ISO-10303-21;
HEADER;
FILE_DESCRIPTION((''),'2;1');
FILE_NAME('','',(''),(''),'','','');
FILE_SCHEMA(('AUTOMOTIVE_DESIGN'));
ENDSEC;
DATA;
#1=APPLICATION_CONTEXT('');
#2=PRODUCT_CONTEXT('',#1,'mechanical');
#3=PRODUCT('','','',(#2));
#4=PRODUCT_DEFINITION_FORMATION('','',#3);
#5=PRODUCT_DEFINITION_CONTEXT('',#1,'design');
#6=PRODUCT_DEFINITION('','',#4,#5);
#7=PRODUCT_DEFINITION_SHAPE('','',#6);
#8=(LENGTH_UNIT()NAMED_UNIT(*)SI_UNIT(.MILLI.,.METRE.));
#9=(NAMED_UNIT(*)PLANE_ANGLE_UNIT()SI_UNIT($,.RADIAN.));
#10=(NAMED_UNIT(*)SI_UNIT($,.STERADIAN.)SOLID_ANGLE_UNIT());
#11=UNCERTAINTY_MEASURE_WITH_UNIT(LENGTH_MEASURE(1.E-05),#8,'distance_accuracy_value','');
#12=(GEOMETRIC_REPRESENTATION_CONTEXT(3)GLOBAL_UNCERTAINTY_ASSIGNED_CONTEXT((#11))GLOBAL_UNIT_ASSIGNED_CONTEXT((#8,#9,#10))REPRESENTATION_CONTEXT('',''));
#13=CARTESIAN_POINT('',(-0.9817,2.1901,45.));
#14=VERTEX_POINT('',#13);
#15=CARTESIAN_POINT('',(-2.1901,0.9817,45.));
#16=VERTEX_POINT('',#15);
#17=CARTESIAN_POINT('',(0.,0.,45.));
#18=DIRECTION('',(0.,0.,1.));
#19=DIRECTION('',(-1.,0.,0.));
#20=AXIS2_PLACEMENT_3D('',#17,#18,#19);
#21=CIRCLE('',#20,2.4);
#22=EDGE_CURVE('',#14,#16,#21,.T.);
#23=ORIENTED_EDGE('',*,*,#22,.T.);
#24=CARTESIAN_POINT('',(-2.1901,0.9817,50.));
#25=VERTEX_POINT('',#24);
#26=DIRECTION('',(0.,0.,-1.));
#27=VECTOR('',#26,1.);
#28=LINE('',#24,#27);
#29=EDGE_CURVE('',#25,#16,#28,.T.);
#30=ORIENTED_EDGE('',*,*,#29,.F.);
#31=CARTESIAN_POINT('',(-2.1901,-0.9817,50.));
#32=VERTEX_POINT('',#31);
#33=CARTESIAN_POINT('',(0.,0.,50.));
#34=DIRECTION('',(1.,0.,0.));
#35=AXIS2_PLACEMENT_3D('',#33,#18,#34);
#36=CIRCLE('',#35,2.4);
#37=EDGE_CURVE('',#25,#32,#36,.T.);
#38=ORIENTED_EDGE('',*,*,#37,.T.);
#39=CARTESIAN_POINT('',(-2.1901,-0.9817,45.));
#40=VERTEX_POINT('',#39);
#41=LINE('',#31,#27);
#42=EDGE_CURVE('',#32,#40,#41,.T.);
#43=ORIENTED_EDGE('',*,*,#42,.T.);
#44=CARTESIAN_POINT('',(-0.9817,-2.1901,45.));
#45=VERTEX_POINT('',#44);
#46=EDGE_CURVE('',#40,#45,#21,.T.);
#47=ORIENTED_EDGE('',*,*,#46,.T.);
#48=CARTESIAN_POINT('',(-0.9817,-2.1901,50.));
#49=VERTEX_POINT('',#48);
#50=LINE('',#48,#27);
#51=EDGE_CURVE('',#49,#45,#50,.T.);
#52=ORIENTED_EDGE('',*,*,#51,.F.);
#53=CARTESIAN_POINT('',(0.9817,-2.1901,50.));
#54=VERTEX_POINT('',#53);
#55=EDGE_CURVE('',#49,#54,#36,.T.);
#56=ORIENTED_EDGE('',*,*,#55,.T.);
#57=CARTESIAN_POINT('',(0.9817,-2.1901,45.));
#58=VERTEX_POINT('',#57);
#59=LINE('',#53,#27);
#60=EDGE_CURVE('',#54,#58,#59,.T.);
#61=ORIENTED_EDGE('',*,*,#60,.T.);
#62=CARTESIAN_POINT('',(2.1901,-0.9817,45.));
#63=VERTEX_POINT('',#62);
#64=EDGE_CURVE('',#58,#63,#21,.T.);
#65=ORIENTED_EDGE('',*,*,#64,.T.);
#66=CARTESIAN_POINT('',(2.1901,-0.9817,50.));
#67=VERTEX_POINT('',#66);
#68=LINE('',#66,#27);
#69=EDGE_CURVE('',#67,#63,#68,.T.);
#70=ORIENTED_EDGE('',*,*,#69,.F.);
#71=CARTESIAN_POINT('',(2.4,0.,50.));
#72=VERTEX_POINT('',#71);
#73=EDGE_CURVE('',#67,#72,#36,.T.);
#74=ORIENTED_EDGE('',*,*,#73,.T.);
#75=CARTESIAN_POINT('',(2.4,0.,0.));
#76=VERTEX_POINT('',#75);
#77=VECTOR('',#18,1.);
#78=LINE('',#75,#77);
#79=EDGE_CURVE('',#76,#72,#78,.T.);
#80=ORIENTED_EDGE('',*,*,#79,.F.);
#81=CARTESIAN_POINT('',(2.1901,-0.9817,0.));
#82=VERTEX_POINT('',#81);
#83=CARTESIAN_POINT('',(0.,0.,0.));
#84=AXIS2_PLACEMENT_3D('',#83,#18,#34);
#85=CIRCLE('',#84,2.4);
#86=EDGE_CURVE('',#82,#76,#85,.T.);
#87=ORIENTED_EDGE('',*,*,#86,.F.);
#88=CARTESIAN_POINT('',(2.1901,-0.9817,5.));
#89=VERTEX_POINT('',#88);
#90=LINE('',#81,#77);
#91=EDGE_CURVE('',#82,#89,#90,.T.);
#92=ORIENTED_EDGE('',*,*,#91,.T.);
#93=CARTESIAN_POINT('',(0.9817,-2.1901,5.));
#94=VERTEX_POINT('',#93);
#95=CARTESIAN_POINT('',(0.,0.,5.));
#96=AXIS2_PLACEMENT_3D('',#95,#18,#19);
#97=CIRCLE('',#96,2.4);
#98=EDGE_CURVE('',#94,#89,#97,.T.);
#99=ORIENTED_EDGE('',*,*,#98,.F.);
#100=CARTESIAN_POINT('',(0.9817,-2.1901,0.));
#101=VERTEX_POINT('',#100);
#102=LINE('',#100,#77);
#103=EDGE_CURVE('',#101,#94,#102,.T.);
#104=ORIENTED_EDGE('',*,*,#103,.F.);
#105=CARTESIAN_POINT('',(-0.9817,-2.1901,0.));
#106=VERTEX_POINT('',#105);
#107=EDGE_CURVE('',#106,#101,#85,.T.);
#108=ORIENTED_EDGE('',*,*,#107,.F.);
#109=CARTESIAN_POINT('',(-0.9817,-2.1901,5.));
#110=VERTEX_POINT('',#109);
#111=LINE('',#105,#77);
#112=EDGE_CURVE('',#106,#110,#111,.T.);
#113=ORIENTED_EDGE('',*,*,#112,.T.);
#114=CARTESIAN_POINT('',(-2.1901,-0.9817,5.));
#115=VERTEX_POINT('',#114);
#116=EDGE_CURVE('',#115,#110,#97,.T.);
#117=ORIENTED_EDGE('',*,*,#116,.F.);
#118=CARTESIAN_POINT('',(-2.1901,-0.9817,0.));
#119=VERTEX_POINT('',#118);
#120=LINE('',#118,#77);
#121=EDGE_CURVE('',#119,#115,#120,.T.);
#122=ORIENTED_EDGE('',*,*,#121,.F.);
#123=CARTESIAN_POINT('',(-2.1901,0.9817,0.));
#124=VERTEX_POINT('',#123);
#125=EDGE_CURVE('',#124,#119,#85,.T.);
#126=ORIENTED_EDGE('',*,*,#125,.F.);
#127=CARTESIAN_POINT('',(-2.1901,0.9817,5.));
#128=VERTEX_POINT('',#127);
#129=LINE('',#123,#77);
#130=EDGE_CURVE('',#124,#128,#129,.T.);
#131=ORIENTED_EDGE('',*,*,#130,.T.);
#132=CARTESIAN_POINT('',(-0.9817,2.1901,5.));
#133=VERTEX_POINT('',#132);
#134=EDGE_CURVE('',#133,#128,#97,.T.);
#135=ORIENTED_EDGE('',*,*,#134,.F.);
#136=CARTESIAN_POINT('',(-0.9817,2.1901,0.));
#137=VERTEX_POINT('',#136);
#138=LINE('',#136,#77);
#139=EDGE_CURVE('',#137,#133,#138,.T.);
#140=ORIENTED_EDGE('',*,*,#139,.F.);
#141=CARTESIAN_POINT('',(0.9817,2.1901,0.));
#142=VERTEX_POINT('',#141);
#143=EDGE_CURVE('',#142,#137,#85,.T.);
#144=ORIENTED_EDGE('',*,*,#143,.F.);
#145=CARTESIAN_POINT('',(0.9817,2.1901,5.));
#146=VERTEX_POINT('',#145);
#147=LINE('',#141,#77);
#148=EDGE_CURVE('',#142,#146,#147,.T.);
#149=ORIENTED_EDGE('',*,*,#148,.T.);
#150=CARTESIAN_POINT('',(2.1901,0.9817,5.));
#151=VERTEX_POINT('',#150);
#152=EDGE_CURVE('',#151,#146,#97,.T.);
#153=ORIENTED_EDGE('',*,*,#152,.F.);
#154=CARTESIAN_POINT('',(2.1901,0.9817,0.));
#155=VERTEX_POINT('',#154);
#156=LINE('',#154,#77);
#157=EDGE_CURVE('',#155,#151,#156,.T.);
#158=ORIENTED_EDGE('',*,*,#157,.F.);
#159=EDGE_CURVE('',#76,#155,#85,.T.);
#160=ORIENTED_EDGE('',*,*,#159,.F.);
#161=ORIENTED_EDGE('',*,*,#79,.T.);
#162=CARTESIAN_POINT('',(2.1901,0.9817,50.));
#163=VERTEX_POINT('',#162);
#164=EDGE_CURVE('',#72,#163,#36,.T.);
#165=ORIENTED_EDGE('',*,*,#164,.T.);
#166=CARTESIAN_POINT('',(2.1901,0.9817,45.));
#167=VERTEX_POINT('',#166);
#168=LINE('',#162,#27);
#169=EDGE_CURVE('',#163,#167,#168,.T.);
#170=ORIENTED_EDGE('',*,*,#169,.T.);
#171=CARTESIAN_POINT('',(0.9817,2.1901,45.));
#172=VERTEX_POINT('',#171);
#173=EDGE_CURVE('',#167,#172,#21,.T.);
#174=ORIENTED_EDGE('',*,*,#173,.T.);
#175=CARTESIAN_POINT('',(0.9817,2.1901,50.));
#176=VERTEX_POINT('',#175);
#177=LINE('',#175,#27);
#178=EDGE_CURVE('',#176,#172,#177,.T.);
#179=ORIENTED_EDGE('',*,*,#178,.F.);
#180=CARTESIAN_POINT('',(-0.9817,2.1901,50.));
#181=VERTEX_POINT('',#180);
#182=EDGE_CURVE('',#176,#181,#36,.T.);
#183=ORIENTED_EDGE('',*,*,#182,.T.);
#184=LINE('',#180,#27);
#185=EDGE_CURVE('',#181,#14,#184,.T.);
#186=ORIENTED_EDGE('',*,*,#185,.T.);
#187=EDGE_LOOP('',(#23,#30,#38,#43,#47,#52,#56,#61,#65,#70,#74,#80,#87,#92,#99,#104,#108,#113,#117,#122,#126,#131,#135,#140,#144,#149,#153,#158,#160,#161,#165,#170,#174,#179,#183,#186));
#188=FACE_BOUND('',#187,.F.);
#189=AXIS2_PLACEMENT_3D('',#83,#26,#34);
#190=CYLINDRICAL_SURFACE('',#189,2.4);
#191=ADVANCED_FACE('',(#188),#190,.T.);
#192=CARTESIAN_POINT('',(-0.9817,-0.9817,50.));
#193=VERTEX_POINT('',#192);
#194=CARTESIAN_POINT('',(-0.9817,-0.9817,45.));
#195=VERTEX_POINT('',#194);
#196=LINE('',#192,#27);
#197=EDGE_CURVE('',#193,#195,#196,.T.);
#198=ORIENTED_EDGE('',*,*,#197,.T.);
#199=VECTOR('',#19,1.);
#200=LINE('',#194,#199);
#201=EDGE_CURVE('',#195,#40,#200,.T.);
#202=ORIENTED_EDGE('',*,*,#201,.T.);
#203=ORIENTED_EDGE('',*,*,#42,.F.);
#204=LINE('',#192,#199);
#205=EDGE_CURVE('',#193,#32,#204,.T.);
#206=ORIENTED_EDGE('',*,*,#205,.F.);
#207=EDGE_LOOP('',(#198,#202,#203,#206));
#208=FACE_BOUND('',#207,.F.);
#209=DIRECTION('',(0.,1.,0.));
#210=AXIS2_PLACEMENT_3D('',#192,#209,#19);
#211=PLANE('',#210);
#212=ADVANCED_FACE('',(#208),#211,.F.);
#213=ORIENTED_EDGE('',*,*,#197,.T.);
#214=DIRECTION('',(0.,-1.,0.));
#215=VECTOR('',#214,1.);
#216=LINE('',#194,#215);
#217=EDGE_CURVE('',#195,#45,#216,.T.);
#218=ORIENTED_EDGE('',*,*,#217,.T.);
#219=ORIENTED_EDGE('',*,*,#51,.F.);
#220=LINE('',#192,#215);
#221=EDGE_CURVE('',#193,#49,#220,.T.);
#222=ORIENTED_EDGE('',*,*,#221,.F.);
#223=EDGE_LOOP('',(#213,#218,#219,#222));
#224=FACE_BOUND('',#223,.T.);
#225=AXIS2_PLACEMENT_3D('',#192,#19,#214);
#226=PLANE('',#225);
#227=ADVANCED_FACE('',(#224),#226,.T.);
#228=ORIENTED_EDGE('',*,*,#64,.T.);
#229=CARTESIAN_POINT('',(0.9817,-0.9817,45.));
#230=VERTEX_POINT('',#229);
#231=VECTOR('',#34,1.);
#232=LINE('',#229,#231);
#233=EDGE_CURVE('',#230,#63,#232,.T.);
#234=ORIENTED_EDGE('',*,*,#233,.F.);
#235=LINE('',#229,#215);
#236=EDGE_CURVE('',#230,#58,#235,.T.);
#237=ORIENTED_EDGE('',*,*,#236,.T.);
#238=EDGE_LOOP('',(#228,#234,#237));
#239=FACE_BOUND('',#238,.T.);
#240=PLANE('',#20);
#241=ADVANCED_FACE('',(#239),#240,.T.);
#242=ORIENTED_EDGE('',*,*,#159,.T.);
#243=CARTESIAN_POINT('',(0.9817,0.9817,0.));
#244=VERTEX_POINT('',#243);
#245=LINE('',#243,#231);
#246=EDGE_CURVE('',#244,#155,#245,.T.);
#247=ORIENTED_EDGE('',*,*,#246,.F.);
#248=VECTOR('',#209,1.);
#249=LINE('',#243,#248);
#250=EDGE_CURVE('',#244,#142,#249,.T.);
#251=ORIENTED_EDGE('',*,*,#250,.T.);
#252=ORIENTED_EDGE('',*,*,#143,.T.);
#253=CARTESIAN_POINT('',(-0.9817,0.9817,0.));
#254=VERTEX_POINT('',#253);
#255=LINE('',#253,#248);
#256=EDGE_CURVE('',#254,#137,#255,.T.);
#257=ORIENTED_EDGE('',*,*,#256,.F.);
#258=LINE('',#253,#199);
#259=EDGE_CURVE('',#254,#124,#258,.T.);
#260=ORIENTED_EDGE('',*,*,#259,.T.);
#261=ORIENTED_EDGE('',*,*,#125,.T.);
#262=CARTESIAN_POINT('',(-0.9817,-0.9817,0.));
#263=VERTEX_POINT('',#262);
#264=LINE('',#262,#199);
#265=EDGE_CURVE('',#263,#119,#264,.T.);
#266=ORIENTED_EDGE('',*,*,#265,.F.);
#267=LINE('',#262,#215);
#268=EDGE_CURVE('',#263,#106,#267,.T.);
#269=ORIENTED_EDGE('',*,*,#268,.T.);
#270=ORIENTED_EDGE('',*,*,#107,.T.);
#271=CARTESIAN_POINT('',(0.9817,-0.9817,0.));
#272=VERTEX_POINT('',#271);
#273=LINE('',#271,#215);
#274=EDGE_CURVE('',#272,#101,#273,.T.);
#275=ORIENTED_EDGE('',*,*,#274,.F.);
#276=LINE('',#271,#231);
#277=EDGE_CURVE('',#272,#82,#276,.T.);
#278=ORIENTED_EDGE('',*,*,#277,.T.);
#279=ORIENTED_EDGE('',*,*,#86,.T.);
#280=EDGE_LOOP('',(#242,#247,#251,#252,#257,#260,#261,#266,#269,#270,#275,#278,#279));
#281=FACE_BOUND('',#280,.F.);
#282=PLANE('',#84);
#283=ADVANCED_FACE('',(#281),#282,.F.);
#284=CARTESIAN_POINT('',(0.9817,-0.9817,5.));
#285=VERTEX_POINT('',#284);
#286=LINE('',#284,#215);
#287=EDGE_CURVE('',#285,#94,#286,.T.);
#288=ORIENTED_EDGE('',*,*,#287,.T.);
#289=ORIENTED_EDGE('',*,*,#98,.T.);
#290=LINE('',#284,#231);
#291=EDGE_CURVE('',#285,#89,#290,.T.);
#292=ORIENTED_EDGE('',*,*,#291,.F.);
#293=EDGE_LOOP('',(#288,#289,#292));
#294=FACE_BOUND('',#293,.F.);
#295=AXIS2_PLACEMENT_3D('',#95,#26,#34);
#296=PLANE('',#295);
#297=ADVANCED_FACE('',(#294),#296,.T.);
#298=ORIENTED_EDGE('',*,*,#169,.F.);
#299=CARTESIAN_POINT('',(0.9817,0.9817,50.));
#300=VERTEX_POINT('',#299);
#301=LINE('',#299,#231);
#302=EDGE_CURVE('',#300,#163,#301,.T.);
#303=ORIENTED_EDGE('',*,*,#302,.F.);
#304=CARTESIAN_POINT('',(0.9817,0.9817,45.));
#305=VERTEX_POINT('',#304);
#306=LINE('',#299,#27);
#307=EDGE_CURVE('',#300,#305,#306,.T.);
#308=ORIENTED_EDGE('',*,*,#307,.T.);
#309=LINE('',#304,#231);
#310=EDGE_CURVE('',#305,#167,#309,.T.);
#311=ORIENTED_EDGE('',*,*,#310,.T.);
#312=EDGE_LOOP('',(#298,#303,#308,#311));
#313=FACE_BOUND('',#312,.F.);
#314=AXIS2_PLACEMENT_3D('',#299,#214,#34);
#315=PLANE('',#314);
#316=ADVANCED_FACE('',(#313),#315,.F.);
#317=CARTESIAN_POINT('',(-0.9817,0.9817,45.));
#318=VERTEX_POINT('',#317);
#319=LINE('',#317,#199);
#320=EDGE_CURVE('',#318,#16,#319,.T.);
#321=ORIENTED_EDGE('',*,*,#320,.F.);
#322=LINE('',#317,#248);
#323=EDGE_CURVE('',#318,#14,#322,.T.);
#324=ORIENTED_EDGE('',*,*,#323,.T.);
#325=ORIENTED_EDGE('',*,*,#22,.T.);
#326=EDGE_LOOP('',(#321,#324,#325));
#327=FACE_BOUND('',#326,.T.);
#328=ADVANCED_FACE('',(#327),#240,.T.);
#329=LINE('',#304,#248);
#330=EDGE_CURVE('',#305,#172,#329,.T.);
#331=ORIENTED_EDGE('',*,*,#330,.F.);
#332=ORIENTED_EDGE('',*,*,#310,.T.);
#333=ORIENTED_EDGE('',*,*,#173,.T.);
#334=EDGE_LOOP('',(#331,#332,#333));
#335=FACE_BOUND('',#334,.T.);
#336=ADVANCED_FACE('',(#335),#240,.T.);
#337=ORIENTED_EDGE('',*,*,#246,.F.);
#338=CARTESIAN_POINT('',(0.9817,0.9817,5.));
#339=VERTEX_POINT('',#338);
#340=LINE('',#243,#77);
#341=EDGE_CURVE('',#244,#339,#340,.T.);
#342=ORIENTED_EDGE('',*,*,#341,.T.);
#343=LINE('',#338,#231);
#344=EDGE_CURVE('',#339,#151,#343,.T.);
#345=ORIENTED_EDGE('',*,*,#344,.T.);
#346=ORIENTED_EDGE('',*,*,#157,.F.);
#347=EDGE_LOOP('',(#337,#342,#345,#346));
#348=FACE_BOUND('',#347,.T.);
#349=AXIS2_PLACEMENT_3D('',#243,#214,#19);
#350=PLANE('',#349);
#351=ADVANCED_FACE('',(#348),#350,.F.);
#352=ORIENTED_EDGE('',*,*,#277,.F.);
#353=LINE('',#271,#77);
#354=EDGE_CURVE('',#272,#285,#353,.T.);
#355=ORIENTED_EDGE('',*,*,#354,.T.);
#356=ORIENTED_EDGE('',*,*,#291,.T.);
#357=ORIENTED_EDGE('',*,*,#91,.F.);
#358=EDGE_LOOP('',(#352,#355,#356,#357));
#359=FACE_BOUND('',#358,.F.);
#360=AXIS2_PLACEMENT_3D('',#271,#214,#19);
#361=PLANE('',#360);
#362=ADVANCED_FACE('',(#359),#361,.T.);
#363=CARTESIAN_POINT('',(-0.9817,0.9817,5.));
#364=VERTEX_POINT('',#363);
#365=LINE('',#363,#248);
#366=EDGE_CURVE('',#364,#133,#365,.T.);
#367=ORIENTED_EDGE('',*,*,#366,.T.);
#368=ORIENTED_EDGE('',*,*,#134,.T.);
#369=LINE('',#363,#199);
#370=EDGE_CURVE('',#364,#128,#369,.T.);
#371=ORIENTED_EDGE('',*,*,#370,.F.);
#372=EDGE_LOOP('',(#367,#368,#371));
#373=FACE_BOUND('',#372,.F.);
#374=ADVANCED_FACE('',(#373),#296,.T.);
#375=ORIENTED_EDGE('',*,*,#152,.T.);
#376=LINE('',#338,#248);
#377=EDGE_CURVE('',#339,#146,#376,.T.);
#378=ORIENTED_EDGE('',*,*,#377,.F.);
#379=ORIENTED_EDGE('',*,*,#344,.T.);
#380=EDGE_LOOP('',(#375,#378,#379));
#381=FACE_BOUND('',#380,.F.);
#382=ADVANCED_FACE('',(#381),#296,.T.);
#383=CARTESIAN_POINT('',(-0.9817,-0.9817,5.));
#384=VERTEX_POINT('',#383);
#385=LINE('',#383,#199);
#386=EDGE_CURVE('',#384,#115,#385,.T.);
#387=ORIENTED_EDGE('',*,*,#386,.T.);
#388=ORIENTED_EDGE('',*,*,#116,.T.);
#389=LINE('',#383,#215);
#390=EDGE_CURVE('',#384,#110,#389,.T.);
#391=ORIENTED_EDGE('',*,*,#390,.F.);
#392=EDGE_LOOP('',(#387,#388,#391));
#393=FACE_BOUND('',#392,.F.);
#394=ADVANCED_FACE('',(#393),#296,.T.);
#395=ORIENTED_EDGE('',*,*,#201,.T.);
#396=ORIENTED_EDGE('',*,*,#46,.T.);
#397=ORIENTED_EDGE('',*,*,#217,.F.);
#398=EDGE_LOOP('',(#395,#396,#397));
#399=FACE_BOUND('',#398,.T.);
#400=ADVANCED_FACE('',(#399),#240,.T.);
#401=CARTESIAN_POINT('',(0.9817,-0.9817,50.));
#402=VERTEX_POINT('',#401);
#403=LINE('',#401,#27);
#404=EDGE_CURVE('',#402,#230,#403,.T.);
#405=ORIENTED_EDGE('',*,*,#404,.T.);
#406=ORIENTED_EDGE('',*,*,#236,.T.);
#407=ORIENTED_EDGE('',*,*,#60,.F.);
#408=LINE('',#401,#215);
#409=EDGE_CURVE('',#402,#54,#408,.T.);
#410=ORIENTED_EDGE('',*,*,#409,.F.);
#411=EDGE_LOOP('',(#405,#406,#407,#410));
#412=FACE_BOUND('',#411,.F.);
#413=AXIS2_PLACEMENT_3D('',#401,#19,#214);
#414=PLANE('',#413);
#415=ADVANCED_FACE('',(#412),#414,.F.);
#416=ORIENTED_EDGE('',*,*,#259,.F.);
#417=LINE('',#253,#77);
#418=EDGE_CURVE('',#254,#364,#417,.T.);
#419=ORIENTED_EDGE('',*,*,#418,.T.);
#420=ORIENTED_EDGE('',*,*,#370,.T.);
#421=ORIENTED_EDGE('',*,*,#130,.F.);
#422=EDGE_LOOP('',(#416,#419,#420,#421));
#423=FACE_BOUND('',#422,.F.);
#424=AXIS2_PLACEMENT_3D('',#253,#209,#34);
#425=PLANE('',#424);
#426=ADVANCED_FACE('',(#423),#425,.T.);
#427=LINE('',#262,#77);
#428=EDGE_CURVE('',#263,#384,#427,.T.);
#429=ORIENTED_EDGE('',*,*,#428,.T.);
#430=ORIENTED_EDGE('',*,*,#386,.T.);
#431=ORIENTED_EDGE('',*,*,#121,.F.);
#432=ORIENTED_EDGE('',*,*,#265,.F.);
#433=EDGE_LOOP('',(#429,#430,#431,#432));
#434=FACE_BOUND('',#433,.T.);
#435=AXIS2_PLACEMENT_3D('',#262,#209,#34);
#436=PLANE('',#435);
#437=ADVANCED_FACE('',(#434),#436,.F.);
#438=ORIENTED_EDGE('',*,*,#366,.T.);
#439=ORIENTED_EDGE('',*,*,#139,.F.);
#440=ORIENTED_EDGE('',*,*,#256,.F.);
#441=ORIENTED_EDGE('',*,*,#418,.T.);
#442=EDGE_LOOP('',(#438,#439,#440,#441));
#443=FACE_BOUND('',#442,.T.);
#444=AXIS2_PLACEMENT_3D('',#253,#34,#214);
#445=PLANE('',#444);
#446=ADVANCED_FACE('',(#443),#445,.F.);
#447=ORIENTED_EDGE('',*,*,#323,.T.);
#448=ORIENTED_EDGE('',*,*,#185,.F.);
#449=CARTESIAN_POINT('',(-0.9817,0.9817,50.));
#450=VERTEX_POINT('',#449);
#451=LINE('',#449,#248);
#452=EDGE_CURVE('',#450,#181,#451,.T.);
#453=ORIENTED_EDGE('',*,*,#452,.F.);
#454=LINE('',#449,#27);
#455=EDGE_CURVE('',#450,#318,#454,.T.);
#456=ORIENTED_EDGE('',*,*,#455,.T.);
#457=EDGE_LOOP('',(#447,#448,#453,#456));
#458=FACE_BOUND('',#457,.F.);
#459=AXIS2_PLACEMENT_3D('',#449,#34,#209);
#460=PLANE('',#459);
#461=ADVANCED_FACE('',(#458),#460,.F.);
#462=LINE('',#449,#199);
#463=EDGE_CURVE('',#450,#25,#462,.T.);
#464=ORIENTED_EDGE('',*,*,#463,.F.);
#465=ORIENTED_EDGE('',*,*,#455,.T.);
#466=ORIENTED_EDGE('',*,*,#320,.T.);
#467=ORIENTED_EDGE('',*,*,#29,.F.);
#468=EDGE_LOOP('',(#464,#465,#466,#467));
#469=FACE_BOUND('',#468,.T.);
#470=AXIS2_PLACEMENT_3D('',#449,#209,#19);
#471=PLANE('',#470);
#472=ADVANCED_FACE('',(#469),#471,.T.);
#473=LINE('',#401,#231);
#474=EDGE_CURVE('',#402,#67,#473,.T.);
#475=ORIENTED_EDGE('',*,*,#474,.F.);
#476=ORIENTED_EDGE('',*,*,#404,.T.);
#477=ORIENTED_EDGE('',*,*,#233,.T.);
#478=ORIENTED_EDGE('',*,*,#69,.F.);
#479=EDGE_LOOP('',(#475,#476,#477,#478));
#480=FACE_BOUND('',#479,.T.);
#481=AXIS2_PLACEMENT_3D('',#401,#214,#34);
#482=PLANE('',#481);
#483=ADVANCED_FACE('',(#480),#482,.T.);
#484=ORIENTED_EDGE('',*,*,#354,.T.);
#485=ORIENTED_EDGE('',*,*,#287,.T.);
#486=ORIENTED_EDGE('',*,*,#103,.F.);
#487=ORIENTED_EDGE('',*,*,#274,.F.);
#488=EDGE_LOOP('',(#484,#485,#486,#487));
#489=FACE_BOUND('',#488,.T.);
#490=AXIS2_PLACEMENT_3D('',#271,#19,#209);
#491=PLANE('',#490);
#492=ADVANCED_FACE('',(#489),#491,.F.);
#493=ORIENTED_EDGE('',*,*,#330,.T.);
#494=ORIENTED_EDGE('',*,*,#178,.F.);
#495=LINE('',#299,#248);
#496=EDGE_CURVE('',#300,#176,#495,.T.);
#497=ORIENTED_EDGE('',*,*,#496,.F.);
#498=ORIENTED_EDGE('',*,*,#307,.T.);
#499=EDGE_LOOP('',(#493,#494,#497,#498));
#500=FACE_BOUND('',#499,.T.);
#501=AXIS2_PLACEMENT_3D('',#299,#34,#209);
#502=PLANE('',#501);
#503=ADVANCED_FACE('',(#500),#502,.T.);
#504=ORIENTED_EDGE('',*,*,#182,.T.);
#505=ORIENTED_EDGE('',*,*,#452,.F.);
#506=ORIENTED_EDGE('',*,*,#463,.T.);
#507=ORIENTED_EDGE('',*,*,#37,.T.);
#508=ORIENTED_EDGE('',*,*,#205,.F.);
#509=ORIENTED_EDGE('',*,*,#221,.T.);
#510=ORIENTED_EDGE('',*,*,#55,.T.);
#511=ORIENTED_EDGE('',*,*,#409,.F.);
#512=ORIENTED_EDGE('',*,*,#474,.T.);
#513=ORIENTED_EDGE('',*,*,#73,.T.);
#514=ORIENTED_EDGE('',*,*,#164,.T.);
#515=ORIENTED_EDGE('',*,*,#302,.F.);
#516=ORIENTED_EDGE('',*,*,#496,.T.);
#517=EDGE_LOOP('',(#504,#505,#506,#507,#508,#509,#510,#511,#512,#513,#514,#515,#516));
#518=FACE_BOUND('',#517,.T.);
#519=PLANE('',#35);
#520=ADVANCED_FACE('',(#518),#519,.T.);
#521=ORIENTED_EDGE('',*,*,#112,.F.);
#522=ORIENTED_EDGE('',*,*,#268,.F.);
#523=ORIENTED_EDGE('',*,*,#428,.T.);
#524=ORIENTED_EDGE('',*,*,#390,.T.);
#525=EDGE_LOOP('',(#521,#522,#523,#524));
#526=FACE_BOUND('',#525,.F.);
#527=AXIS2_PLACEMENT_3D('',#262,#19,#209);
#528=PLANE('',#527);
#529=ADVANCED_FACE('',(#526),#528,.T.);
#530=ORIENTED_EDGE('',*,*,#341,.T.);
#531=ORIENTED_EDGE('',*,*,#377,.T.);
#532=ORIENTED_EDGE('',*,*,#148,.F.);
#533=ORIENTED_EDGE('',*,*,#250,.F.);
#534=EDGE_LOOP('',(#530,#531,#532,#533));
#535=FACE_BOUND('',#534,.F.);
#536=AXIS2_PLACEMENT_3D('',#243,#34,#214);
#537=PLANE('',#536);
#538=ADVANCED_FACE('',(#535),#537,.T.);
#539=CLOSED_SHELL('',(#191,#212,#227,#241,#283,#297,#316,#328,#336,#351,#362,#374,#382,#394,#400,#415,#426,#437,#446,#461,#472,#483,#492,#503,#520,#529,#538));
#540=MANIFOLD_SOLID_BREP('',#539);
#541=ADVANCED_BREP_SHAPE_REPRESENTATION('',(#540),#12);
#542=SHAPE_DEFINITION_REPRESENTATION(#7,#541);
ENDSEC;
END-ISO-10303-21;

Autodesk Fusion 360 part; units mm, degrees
sketch "Sketch1" plane through (0, 0, 0) normal (0, 0, 1) x (1, 0, 0)
  circle A0 centre (0, 0) radius 2.4
  dimension "d1" = 4.8
extrude "Extrude1" add sketch "Sketch1" along normal blind 50
sketch "Sketch2" plane through (0, 0, 50) normal (0, 0, 1) x (-1, 0, 0)
  circle A0 centre (0, 0) radius 2.4
  line L0 (0.9817, -0.9817) -> (-0.9817, -0.9817)
  line L1 (-0.9817, -0.9817) -> (-0.9817, 0.9817)
  line L2 (-0.9817, 0.9817) -> (0.9817, 0.9817)
  line L3 (0.9817, 0.9817) -> (0.9817, -0.9817)
  line L4 (0.9817, -0.9817) -> (-0.9817, 0.9817) construction
  line L5 (-0.9817, -0.9817) -> (0.9817, 0.9817) construction
  line L6 (0.9817, -0.9817) -> (2.1901, -0.9817)
  line L7 (0.9817, 0.9817) -> (2.1901, 0.9817)
  line L8 (-0.9817, 0.9817) -> (-2.1901, 0.9817)
  line L9 (-0.9817, -0.9817) -> (-2.1901, -0.9817)
  line L10 (-0.9817, -0.9817) -> (-0.9817, -2.1901)
  line L11 (0.9817, -0.9817) -> (0.9817, -2.1901)
  line L12 (0.9817, 0.9817) -> (0.9817, 2.1901)
  line L13 (-0.9817, 0.9817) -> (-0.9817, 2.1901)
extrude "Extrude2" cut sketch "Sketch2" against normal blind 5 contours A0 L7 L12 | A0 L6 L11 | A0 L8 L13 | A0 L9 L10
ref_plane "WorkPlane1" through (0, 0, 25) normal (0, 0, 1) x (1, 0, 0)
mirror "Mirror1" about plane through (0, 0, 25) normal (0, 0, 1) of "Extrude2"
